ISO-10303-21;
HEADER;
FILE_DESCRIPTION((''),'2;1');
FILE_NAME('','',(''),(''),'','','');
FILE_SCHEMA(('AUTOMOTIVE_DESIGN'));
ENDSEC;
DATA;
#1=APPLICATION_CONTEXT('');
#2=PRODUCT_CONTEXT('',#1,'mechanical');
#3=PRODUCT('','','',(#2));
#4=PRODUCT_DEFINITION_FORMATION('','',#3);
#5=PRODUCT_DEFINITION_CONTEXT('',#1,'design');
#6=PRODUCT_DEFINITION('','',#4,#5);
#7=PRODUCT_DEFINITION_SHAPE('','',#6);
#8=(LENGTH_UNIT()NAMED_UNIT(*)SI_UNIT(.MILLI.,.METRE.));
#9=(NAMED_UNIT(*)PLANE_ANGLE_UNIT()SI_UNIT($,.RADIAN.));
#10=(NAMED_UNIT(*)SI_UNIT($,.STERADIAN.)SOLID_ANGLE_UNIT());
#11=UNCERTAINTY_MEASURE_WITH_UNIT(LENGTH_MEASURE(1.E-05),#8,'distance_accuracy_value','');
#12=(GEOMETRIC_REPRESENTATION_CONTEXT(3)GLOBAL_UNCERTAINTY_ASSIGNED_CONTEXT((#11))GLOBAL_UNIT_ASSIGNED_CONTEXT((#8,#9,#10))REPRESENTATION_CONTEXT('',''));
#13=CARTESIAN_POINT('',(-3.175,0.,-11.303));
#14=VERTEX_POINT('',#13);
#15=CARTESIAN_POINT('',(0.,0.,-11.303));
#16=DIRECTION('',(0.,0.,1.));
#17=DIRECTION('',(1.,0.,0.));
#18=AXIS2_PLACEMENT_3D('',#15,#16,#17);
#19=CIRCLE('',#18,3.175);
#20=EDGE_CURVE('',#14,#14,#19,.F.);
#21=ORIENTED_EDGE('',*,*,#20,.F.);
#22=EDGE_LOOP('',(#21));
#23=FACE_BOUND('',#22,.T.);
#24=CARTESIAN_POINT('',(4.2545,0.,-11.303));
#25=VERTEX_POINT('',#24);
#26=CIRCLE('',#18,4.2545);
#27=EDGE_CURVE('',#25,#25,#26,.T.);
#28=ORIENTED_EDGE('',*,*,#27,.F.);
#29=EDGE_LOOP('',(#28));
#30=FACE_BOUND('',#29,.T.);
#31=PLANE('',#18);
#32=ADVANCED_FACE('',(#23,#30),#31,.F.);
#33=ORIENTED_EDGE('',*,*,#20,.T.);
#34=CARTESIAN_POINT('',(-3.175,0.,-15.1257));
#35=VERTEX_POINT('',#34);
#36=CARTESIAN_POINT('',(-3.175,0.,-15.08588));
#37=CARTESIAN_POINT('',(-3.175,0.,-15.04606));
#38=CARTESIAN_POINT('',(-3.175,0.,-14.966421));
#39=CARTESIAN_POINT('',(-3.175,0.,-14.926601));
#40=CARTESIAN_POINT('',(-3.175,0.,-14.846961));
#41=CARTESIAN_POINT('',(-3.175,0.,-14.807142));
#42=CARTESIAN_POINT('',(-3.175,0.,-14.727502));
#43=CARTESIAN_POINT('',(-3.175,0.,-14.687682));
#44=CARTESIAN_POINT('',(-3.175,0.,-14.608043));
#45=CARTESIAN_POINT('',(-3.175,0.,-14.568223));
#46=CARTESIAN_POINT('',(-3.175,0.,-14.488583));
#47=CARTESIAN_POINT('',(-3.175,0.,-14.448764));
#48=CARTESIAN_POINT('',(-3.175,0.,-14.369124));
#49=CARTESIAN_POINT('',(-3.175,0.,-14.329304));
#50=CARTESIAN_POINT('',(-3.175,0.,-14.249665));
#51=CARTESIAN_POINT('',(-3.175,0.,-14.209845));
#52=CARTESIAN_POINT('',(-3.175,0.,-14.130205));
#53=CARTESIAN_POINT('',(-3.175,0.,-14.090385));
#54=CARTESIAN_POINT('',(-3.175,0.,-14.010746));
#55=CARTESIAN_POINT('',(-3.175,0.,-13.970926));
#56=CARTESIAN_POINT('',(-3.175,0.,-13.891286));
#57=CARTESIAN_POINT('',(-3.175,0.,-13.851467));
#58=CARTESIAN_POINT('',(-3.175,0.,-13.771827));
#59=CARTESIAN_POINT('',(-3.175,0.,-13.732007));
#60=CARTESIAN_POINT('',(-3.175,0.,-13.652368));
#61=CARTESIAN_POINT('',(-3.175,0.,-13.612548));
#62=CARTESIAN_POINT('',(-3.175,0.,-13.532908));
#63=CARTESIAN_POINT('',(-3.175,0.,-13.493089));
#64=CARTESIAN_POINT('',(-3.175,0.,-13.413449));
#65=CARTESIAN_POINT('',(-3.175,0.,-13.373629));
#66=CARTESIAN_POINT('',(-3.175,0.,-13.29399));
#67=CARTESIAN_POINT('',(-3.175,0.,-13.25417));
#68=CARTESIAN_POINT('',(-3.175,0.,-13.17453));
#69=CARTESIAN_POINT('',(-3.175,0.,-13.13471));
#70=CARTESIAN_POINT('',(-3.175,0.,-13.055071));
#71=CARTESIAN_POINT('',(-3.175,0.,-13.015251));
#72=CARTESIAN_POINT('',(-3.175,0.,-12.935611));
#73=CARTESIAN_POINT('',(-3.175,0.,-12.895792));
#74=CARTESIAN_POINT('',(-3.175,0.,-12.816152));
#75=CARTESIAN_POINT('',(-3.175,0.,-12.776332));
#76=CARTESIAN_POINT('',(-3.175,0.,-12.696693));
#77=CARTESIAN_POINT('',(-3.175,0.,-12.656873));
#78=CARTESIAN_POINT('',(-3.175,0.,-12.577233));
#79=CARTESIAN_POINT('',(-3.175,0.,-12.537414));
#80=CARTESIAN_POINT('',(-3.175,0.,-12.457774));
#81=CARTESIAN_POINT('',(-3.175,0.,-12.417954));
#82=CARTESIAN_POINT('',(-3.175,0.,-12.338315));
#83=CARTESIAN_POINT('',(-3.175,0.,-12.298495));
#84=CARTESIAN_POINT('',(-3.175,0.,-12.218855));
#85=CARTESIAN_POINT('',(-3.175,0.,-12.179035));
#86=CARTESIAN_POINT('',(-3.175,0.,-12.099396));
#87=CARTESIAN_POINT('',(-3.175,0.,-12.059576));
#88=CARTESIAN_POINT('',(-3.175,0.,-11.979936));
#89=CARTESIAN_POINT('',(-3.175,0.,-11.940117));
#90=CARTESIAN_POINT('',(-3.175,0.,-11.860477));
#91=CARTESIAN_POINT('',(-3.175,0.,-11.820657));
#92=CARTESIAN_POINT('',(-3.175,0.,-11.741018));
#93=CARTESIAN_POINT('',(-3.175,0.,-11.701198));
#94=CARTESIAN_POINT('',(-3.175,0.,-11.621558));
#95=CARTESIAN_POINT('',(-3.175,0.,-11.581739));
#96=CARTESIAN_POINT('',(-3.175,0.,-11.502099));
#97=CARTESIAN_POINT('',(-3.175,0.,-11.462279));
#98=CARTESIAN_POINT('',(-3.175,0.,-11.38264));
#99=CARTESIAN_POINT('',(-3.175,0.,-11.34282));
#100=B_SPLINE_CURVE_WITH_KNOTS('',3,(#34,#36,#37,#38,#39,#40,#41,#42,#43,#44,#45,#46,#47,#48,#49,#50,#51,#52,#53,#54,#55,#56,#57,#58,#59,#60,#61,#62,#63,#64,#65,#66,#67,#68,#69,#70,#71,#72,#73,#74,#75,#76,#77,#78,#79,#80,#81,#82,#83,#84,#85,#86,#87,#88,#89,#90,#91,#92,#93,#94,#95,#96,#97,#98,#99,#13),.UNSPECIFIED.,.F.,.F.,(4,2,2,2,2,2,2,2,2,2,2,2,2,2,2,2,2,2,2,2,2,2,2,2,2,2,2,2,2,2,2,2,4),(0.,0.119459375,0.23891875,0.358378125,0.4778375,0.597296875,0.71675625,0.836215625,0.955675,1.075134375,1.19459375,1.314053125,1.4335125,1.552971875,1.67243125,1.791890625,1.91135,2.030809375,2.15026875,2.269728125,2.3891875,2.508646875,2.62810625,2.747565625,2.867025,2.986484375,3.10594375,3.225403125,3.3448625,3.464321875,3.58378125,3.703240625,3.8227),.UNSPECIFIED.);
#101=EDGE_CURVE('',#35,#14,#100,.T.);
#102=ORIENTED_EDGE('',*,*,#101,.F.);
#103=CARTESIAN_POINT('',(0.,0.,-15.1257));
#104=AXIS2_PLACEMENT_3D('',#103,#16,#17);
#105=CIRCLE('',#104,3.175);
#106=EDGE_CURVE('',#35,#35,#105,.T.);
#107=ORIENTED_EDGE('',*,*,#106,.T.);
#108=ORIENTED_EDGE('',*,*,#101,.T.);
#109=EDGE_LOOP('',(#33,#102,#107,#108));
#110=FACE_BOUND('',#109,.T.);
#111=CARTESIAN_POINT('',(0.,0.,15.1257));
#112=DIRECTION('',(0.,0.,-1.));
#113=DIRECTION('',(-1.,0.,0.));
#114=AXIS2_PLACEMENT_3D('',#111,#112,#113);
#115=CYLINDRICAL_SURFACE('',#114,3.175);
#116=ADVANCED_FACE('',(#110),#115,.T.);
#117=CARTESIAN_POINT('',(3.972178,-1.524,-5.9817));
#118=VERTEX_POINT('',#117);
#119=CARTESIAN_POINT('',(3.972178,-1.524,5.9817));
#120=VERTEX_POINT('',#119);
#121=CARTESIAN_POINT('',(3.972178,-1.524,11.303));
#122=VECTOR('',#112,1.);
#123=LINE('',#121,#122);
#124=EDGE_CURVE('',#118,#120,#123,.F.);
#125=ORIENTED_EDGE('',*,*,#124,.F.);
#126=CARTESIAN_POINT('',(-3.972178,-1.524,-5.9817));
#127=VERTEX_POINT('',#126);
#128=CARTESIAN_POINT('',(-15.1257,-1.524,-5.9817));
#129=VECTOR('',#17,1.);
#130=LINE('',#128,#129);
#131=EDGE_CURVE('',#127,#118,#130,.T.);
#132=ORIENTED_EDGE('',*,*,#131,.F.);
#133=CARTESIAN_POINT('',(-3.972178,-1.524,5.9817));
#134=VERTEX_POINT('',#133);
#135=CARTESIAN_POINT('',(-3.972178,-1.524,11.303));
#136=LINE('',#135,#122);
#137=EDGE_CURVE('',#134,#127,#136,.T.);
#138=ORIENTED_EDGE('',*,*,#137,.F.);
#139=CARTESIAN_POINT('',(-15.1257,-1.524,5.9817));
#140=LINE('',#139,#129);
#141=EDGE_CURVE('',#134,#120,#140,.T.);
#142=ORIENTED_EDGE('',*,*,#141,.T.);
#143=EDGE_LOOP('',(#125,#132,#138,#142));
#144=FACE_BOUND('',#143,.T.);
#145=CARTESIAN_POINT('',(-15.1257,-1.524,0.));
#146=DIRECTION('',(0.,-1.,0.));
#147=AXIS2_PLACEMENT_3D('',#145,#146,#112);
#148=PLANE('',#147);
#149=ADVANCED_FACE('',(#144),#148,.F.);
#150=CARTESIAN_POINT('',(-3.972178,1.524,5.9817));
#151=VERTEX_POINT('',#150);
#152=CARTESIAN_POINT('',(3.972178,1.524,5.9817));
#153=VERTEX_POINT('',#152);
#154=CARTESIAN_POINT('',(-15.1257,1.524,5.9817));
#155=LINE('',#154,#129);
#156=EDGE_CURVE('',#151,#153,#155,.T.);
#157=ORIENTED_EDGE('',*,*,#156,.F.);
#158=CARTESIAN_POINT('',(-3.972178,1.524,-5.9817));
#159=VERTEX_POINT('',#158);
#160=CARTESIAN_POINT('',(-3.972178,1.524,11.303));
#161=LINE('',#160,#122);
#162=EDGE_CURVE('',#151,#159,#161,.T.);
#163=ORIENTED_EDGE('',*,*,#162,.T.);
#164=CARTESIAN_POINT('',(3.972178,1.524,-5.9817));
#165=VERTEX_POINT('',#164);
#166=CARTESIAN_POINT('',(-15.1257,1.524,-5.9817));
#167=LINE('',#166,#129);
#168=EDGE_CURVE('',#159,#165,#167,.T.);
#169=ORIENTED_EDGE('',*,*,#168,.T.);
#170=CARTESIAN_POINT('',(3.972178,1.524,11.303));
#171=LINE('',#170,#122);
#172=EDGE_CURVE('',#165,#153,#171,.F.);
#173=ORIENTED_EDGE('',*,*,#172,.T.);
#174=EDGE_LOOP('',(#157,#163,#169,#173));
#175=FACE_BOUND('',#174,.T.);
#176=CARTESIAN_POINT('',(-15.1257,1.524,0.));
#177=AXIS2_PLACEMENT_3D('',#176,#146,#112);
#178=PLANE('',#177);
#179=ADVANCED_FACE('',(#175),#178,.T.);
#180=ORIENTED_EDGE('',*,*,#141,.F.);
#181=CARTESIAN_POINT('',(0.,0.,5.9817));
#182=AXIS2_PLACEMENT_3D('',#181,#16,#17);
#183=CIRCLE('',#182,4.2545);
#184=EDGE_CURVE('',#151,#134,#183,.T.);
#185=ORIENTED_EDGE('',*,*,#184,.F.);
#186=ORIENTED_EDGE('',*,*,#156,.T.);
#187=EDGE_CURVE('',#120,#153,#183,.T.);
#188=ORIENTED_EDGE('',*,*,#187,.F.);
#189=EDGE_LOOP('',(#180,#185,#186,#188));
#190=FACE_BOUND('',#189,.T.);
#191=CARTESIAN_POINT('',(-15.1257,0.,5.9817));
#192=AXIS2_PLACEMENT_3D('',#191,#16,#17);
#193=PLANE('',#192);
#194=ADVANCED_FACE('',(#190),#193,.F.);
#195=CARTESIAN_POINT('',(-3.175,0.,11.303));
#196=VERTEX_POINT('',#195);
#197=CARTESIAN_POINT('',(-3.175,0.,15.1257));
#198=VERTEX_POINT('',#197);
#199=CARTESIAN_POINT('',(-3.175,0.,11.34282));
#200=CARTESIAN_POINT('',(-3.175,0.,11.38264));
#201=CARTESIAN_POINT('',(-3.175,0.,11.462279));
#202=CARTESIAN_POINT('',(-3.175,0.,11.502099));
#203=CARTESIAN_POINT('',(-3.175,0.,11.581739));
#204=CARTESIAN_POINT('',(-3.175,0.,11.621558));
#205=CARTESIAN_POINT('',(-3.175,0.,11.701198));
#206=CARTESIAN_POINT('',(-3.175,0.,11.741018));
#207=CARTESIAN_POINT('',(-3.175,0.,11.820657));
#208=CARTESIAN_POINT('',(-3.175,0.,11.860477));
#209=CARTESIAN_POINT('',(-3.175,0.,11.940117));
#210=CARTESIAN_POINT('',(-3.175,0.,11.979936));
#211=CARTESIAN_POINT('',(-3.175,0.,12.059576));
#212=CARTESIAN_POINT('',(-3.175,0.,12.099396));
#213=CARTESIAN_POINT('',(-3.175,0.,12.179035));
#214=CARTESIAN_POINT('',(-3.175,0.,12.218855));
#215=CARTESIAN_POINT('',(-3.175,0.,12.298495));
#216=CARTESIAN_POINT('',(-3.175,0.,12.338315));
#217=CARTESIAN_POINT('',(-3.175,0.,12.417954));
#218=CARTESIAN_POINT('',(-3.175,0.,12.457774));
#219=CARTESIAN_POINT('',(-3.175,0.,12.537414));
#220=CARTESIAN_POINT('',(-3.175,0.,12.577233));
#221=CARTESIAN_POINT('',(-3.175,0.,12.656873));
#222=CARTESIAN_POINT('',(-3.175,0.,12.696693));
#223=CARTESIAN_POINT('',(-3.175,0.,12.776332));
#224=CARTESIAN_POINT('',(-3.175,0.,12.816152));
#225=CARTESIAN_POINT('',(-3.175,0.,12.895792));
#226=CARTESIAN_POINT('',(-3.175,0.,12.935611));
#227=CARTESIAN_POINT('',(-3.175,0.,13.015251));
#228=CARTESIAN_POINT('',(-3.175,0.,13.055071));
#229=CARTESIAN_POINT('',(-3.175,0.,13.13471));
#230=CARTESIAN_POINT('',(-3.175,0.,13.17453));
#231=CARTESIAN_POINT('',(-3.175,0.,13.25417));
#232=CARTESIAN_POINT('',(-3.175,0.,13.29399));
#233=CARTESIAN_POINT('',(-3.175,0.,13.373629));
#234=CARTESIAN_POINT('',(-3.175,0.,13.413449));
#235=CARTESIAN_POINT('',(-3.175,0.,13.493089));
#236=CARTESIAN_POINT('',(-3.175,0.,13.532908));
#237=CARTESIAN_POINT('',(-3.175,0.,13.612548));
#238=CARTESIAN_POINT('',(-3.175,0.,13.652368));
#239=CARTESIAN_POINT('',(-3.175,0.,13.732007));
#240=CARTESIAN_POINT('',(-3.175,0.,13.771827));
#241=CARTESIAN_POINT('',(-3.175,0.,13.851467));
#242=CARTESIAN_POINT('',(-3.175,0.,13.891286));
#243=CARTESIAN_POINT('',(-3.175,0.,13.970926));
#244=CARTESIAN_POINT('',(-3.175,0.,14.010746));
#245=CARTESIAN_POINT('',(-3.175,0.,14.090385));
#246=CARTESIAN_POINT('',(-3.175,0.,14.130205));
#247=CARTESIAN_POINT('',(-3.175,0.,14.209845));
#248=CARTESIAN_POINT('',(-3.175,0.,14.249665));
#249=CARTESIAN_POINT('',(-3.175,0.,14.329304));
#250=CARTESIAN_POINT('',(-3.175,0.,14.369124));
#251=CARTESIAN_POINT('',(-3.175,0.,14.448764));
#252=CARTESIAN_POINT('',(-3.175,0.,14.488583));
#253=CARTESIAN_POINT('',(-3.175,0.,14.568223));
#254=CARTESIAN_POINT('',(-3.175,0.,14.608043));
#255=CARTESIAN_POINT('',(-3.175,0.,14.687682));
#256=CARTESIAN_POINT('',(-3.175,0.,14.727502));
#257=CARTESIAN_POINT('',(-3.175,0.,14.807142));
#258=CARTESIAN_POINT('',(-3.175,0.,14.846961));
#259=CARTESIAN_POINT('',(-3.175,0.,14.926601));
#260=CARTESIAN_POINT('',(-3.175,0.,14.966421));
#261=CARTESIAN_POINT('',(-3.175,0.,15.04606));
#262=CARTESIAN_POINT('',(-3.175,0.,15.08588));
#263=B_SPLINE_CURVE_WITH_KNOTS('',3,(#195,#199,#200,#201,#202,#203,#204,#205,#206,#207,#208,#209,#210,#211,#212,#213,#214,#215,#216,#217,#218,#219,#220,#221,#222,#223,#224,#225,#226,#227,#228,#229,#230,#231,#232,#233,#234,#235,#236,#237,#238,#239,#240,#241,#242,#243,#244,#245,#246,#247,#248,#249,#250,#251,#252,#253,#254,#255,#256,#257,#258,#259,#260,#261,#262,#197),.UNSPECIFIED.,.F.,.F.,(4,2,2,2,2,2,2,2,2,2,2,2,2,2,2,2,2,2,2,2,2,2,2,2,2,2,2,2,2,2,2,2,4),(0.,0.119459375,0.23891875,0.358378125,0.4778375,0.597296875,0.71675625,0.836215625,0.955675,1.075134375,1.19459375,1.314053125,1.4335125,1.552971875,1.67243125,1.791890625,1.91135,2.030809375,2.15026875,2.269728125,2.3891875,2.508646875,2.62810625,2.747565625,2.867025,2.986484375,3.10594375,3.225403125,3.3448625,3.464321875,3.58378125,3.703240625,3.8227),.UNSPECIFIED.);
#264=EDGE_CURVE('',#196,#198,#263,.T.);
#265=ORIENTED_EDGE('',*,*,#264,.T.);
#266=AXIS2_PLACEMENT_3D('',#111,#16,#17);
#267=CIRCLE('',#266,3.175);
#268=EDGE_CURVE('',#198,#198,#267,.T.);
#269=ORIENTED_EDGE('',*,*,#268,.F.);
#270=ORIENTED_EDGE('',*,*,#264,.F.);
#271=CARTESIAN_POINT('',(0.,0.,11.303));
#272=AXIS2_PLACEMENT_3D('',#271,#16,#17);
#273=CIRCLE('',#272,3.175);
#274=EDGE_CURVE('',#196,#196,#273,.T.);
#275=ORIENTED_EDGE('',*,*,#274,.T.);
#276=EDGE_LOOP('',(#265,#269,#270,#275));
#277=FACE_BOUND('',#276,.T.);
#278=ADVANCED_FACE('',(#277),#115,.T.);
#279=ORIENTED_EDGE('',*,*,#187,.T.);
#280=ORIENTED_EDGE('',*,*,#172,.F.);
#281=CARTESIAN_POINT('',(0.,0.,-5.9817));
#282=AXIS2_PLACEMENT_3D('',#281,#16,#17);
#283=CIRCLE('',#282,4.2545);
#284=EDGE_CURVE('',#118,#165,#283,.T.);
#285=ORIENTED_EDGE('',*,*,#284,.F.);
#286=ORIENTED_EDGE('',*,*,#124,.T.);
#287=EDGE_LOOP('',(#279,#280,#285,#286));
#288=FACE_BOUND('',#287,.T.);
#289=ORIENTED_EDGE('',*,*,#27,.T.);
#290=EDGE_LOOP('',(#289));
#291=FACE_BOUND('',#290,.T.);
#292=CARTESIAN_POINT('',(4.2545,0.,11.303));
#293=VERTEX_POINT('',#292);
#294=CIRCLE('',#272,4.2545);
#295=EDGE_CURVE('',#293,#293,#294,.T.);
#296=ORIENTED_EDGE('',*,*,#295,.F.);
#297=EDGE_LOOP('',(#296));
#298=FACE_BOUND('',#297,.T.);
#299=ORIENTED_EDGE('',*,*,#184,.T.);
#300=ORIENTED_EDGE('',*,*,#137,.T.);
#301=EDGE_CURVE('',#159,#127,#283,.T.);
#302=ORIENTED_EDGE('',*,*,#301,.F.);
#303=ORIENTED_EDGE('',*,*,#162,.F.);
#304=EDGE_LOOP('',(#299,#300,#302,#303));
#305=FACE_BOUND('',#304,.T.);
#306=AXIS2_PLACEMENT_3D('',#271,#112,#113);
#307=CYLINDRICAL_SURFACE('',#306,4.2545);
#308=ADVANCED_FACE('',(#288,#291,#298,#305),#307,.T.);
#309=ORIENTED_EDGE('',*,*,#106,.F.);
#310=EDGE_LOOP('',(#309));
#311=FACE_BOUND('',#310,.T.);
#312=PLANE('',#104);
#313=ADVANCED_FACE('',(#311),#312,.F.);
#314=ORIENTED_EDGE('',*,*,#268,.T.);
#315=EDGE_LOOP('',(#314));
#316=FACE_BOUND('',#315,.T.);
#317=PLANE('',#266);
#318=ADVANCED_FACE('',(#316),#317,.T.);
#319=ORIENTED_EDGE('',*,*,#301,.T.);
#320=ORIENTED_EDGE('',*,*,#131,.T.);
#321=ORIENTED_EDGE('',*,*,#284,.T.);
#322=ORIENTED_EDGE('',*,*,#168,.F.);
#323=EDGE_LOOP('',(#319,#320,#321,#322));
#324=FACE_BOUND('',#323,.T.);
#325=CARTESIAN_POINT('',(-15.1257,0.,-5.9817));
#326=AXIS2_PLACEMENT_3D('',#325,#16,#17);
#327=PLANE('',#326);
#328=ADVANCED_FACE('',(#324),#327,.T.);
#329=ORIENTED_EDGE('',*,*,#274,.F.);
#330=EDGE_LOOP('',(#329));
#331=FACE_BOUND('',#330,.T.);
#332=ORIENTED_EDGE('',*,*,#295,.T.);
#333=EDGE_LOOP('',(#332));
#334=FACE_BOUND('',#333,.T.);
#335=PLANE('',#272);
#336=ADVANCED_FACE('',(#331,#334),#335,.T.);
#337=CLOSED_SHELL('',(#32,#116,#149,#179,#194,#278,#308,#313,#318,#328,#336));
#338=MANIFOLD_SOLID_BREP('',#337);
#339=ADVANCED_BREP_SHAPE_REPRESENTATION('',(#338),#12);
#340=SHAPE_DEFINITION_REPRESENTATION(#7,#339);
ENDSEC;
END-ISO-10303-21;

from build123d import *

# Parameters (mm, degrees)
SKETCH1_R           = 4.2545
SKETCH1_R_2         = 3.175
BOSS_EXTRUDE1_DEPTH = 11.303
SKETCH2_R           = 3.175
BOSS_EXTRUDE2_DEPTH = 15.1257
SKETCH5_W           = 5.9817
SKETCH5_H           = 3.048
CUT_EXTRUDE2_DEPTH  = 15.1257


with BuildPart() as part:
    # Sketch1 → Boss-Extrude1 (new, symmetric)
    with BuildSketch(Plane.XY):
        with Locations(Location((0, 0, 0), (0, 0, 180))):
            Circle(SKETCH1_R)
        with Locations(Location((0, 0, 0), (0, 0, 180))):
            Circle(SKETCH1_R_2, mode=Mode.SUBTRACT)
    extrude(amount=BOSS_EXTRUDE1_DEPTH, both=True)

    # Sketch2 → Boss-Extrude2 (add, symmetric)
    with BuildSketch(Plane.XY):
        with Locations(Location((0, 0, 0), (0, 0, 180))):
            Circle(SKETCH2_R)
    extrude(amount=BOSS_EXTRUDE2_DEPTH, both=True)

    # Sketch5 → Cut-Extrude2 (cut, symmetric)
    with BuildSketch(Plane(origin=(0, 0, 0), x_dir=(0, 0, -1), z_dir=(1, 0, 0))):
        with Locations((-2.99085, 0)):
            Rectangle(SKETCH5_W, SKETCH5_H)
        with Locations((2.99085, 0)):
            Rectangle(SKETCH5_W, SKETCH5_H)
    extrude(amount=CUT_EXTRUDE2_DEPTH, both=True, mode=Mode.SUBTRACT)


solid = part.part
